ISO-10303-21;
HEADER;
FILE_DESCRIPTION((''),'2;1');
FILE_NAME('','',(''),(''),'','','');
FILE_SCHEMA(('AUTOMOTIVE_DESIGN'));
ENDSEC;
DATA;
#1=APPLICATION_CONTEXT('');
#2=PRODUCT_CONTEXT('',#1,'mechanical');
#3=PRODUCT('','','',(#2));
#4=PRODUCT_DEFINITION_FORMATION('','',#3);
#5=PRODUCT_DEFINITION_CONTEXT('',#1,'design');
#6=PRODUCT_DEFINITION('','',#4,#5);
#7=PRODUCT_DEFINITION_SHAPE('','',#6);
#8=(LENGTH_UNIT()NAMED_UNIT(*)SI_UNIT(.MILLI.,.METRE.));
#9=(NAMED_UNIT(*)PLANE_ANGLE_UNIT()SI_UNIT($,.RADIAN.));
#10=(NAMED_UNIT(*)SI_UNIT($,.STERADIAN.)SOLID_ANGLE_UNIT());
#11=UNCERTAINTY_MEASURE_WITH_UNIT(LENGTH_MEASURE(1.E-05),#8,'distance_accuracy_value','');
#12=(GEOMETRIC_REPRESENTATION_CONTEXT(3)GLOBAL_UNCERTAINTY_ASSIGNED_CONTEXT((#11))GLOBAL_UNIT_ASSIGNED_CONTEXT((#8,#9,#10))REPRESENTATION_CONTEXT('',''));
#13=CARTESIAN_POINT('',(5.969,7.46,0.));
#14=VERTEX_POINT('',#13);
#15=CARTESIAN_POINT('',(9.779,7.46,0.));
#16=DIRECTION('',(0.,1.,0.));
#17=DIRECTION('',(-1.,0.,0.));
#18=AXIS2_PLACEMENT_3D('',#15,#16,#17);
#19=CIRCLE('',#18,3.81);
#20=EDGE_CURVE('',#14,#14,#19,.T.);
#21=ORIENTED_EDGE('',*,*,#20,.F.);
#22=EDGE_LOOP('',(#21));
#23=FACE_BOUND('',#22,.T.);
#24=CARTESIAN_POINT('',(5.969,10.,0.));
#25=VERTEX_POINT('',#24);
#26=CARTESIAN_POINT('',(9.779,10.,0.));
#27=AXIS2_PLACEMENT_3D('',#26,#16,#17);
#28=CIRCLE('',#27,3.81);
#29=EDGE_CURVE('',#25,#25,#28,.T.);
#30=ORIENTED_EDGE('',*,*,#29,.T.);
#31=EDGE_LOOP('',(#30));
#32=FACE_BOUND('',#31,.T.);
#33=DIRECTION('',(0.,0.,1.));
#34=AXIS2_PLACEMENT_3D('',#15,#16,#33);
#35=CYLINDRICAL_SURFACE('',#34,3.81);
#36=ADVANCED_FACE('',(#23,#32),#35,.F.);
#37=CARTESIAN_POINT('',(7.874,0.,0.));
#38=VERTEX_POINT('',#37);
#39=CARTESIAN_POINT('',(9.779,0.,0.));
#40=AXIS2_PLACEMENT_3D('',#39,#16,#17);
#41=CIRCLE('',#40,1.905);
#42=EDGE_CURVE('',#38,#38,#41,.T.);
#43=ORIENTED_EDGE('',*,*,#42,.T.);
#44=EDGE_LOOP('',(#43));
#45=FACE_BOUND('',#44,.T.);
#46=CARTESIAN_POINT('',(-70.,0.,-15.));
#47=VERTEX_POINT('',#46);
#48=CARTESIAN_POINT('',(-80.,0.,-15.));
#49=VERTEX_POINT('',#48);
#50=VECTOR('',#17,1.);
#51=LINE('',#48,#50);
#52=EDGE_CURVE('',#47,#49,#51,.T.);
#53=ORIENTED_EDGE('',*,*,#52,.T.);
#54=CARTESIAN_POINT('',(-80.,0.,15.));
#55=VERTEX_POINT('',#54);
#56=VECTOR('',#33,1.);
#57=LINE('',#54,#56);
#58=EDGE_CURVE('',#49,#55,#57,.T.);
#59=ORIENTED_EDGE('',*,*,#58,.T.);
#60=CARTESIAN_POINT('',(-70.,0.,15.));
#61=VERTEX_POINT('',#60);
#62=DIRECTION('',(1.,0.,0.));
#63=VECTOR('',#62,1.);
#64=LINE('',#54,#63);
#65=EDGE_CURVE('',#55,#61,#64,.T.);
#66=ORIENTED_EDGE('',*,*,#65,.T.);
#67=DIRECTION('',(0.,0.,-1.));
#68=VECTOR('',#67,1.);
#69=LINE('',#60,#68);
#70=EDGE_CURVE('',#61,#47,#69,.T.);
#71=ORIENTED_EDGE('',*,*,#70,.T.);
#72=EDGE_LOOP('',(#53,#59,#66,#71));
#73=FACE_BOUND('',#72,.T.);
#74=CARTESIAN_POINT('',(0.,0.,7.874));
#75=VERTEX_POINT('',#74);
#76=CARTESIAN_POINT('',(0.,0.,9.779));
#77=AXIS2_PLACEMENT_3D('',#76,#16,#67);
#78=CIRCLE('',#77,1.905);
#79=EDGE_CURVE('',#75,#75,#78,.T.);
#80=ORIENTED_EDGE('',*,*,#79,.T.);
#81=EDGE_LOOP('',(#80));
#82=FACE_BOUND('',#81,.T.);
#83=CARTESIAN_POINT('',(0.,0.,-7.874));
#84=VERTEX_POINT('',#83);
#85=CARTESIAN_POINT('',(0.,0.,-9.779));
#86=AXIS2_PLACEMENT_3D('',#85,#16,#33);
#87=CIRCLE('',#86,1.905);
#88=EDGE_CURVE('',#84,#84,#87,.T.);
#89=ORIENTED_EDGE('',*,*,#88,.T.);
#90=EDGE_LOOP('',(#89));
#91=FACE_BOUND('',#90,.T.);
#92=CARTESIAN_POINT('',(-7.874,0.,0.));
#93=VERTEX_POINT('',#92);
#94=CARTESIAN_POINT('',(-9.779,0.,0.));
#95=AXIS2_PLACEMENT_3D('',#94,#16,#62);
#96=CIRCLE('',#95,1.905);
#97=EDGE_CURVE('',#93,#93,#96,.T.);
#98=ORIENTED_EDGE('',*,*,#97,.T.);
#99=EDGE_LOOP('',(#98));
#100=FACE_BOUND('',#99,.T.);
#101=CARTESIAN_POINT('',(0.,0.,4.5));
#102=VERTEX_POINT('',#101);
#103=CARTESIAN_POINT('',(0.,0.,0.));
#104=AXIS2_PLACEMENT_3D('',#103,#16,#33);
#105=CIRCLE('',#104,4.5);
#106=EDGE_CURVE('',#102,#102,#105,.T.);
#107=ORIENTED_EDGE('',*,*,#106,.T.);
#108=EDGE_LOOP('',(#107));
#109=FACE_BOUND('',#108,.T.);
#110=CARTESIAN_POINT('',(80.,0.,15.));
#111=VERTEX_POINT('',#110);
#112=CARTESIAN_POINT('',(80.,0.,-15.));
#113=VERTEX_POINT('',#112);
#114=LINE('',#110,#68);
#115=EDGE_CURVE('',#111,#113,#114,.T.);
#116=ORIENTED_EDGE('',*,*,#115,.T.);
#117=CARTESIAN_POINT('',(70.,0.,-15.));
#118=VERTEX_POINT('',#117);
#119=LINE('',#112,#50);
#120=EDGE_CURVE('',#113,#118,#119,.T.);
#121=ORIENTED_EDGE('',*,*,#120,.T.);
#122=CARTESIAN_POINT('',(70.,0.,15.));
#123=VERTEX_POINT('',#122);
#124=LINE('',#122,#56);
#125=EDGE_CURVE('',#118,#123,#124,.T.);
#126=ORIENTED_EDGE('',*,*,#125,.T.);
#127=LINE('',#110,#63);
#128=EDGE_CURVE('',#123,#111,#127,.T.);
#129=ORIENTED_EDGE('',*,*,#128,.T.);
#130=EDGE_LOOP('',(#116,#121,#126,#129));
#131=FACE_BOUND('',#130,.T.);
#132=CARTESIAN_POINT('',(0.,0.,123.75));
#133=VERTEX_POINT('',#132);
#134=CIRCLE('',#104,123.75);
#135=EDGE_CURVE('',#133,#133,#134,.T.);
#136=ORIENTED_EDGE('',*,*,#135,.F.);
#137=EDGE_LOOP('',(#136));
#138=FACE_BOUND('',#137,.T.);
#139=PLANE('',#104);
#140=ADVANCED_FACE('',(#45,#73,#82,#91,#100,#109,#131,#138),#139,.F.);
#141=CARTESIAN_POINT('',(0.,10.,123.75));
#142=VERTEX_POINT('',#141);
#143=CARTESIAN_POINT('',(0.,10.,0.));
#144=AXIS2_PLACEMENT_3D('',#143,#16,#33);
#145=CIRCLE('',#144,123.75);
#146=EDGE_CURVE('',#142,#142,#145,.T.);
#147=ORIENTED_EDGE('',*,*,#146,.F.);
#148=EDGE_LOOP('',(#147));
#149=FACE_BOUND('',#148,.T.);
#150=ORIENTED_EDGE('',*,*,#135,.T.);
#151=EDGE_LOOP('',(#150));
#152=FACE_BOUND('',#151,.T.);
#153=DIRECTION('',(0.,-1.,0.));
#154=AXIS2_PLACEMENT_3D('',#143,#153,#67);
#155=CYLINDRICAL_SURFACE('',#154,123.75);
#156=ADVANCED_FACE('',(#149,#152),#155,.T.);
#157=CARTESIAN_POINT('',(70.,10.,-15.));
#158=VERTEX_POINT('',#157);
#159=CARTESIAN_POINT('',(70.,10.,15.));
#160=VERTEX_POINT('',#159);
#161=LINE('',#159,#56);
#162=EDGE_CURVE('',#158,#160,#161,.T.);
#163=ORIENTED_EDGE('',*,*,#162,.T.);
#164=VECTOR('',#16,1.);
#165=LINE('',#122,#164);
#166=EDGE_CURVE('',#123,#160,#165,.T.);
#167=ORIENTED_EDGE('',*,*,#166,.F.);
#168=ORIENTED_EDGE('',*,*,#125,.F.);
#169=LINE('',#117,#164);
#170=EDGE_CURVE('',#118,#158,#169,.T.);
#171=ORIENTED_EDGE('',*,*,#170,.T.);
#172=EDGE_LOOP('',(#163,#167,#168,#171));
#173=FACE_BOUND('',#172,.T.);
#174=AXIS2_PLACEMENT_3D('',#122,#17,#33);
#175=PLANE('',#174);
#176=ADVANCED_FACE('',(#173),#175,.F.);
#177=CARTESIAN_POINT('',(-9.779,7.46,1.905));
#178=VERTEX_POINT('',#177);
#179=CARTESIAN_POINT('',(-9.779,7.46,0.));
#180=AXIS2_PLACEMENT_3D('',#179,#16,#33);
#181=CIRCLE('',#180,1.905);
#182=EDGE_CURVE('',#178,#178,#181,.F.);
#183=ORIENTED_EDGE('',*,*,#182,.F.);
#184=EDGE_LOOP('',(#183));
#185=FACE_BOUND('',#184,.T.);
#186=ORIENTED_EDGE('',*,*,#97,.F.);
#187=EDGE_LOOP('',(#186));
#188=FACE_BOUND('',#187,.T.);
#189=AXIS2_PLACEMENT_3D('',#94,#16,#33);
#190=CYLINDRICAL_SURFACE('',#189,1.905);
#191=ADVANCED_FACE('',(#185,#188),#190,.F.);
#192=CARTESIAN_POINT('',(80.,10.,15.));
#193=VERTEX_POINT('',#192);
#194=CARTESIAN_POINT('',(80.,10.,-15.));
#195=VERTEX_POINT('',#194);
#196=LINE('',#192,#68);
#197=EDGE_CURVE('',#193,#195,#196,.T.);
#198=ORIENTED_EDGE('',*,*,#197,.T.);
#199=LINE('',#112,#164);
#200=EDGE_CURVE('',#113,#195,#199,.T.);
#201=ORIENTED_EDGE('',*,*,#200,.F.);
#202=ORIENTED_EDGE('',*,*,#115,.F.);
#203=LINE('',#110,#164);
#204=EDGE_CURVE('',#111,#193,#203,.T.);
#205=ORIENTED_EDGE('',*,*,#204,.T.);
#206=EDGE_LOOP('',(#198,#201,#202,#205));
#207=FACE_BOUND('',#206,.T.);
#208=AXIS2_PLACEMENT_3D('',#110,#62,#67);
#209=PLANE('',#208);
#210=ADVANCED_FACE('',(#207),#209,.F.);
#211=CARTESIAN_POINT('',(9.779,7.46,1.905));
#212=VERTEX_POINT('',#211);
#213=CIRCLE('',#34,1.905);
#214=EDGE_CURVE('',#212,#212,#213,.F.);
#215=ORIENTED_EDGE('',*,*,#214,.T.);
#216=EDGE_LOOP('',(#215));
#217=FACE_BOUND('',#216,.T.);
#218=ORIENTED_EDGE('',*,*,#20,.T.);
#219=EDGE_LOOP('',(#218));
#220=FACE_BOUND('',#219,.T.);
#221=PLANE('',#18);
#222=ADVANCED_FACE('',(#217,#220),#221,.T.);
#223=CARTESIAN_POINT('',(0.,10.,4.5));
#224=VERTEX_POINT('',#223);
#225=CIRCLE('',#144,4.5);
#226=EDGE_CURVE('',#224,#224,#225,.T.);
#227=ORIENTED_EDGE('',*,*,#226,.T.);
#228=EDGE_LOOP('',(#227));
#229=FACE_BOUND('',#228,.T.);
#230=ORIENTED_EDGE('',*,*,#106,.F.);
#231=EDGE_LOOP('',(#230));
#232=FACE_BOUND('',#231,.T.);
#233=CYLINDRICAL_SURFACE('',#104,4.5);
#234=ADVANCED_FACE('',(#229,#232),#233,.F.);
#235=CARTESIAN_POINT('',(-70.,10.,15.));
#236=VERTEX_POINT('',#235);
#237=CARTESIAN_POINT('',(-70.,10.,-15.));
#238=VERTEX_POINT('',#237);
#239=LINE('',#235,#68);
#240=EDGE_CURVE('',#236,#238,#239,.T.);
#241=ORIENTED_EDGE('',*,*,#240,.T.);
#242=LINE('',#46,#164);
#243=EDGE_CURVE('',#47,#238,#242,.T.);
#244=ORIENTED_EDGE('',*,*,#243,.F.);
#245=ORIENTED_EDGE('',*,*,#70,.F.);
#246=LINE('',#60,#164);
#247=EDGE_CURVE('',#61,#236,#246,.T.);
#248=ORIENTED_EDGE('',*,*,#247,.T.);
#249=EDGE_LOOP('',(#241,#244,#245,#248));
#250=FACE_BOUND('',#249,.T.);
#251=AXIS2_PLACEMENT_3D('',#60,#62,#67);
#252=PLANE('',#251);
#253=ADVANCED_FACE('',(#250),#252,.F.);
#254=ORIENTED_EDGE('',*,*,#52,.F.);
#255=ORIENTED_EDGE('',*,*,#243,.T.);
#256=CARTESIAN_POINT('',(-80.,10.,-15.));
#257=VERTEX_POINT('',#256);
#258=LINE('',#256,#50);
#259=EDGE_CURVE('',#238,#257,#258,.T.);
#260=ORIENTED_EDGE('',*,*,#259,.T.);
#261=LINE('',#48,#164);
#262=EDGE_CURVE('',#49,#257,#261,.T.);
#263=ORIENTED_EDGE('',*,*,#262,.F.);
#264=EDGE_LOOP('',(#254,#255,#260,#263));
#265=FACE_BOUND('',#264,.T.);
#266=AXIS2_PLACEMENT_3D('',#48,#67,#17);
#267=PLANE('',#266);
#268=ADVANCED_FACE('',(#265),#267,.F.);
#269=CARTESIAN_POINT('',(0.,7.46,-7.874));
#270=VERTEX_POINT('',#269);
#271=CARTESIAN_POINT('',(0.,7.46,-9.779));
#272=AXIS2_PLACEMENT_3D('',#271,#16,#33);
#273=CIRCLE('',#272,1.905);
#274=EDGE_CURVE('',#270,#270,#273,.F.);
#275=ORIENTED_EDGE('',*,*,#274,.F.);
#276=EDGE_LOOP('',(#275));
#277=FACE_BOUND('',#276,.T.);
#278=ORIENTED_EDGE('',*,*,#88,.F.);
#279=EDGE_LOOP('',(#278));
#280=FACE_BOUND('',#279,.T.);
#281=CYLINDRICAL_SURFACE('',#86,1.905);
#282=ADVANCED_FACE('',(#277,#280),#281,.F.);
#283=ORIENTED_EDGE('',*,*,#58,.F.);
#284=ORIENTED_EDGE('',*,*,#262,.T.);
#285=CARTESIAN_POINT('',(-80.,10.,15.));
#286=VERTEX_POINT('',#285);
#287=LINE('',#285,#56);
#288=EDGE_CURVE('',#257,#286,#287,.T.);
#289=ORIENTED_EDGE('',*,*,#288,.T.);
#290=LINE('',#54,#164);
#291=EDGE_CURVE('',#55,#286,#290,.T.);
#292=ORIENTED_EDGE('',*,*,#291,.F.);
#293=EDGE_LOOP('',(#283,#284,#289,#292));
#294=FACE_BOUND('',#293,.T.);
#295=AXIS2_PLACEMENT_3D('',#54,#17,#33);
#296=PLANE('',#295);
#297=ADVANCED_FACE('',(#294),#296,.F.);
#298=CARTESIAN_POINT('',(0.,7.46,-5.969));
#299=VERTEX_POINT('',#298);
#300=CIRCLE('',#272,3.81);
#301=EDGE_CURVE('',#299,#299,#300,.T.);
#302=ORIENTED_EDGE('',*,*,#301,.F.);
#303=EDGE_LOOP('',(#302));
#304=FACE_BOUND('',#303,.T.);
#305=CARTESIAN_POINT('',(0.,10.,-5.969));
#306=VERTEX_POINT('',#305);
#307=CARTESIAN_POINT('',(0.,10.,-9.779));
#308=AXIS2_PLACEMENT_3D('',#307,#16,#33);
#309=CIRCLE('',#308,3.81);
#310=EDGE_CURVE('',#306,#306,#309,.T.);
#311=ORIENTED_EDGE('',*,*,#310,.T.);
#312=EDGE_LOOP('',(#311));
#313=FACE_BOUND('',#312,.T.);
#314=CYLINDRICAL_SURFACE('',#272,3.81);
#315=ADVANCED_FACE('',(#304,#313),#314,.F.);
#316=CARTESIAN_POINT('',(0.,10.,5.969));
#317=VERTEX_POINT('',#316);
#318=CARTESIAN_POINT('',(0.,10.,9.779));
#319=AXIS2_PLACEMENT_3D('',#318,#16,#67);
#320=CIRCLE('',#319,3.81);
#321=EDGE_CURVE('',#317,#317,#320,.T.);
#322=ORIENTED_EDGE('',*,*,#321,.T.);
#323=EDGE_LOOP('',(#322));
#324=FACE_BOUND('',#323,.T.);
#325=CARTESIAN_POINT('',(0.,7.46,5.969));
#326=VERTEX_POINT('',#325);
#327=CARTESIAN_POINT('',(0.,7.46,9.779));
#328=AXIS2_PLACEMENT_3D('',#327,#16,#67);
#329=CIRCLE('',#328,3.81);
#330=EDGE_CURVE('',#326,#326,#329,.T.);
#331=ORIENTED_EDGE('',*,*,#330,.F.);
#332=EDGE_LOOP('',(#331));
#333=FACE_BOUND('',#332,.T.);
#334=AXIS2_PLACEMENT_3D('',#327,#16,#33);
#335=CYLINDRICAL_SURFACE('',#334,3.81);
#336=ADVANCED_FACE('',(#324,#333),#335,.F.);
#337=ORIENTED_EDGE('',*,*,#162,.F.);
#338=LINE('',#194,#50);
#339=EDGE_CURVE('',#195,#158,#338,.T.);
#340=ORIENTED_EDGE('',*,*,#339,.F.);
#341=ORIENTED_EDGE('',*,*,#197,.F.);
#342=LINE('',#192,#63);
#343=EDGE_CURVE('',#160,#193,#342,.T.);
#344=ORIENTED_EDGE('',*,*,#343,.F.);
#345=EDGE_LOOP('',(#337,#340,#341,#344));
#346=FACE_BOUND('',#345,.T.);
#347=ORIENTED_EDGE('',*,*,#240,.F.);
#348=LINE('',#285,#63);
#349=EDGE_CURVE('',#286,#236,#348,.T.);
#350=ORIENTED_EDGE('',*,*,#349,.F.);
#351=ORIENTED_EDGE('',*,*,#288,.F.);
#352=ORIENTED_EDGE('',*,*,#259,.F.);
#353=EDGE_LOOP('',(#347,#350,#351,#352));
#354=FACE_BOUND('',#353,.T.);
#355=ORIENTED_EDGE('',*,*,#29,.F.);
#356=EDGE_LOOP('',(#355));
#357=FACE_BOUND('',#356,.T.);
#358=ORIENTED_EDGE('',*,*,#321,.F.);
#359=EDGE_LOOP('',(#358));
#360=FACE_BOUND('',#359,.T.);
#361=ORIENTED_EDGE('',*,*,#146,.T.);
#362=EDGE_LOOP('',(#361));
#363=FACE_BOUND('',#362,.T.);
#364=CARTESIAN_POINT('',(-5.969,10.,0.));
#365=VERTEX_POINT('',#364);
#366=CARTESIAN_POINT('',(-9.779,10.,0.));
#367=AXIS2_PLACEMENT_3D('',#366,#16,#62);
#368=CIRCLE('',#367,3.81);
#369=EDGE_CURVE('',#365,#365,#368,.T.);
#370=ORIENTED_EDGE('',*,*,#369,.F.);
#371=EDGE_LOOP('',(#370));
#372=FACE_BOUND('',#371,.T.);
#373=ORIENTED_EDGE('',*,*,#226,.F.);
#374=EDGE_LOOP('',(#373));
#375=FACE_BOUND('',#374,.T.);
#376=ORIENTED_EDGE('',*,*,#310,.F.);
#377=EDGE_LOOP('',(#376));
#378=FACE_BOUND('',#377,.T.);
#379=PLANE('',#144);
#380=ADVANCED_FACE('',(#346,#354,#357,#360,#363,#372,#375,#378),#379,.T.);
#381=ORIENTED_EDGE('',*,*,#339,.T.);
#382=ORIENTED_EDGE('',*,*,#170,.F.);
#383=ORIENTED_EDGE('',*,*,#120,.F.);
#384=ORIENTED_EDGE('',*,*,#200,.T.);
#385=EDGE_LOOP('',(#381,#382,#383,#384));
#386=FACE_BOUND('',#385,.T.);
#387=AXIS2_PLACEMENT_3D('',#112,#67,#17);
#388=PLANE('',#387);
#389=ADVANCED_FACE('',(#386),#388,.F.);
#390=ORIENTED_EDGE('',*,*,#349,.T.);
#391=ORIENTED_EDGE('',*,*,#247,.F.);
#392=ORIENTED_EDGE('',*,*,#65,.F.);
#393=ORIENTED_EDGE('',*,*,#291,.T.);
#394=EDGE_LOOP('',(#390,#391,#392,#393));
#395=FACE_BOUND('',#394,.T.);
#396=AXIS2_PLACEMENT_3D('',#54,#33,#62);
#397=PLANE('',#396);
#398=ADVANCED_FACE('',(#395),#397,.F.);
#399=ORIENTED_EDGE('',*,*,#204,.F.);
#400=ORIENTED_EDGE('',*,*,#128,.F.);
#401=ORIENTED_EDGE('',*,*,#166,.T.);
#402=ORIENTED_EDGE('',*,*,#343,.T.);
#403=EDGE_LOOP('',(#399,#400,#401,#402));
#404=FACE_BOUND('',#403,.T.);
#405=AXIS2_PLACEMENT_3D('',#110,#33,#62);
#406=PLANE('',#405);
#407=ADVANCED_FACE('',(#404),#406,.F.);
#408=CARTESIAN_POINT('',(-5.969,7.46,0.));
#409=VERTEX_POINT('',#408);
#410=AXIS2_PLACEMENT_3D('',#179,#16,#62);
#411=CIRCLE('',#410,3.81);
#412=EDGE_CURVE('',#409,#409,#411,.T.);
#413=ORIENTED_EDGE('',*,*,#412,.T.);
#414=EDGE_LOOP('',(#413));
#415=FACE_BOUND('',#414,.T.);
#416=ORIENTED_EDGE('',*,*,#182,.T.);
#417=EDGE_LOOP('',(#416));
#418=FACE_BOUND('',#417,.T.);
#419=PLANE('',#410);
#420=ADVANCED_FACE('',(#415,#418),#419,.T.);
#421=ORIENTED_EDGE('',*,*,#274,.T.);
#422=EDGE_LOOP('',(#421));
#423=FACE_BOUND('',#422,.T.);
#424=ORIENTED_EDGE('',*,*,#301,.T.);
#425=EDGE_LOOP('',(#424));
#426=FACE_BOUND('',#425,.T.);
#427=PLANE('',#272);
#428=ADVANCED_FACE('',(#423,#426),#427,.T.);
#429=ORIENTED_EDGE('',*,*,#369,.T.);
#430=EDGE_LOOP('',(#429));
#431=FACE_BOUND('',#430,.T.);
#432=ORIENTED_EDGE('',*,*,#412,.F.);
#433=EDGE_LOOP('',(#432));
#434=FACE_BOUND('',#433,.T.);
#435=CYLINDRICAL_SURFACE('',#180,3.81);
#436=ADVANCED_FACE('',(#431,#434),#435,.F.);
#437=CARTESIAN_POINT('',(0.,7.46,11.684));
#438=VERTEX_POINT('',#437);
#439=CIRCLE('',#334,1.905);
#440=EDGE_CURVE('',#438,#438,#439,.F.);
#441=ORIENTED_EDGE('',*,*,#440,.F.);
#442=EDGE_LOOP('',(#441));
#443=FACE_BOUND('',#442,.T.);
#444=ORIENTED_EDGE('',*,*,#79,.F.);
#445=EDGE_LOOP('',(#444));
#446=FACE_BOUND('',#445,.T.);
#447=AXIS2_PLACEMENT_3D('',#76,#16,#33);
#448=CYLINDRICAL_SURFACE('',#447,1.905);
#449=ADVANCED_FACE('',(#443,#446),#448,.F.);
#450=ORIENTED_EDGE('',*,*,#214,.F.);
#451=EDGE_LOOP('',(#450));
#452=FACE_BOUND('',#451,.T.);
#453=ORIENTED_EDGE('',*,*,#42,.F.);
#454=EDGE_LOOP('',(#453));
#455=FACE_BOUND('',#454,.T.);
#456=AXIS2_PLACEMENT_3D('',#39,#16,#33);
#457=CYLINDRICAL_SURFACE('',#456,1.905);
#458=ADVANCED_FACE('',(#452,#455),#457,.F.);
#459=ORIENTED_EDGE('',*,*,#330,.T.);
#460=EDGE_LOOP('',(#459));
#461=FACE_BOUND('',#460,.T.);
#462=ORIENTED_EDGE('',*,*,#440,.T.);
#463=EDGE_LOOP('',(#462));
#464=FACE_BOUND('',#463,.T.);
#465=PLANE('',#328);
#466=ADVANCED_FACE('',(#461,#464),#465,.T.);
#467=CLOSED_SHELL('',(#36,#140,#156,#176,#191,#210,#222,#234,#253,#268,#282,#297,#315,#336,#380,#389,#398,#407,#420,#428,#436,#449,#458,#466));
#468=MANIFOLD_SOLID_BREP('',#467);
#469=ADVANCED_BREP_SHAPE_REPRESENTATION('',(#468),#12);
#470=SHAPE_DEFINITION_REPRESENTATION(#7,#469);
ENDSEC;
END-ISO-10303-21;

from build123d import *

# Parameters (mm, degrees)
SKETCH1_R           = 123.75
BOSS_EXTRUDE1_DEPTH = 10
SKETCH2_R           = 1.905
CUT_EXTRUDE2_DEPTH  = 11
CIRPATTERN1_COUNT   = 4
SKETCH3_R           = 4.5
CUT_EXTRUDE3_DEPTH  = 11
SKETCH4_R           = 3.81
CUT_EXTRUDE4_DEPTH  = 2.54
CIRPATTERN2_COUNT   = 4
SKETCH5_W           = 10
SKETCH5_H           = 30
CUT_EXTRUDE5_DEPTH  = 11


with BuildPart() as part:
    # Sketch1 → Boss-Extrude1 (new body)
    with BuildSketch(Plane(origin=(0, 0, 0), x_dir=(1, 0, 0), z_dir=(0, 1, 0))):
        Circle(SKETCH1_R)
    extrude(amount=BOSS_EXTRUDE1_DEPTH)

    # Sketch2 → Cut-Extrude2 (cut, through all)
    with BuildSketch(Plane(origin=(0, 10, 0), x_dir=(1, 0, 0), z_dir=(0, 1, 0))):
        with Locations((0, 9.779)):
            Circle(SKETCH2_R)
    cut_extrude2 = extrude(amount=-CUT_EXTRUDE2_DEPTH, mode=Mode.SUBTRACT)

    # CirPattern1: Cut-Extrude2 ×4 about axis
    cirpattern1_axis = Axis((0, 0, 0), (0, 1, 0))
    for i in range(1, CIRPATTERN1_COUNT):
        add(cut_extrude2.rotate(cirpattern1_axis, i * 360 / CIRPATTERN1_COUNT), mode=Mode.SUBTRACT)

    # Sketch3 → Cut-Extrude3 (cut, through all)
    with BuildSketch(Plane(origin=(0, 10, 0), x_dir=(1, 0, 0), z_dir=(0, 1, 0))):
        Circle(SKETCH3_R)
    extrude(amount=-CUT_EXTRUDE3_DEPTH, mode=Mode.SUBTRACT)

    # Sketch4 → Cut-Extrude4 (cut)
    with BuildSketch(Plane(origin=(0, 10, 0), x_dir=(1, 0, 0), z_dir=(0, 1, 0))):
        with Locations((0, 9.779)):
            Circle(SKETCH4_R)
    cut_extrude4 = extrude(amount=-CUT_EXTRUDE4_DEPTH, mode=Mode.SUBTRACT)

    # CirPattern2: Cut-Extrude4 ×4 about axis
    cirpattern2_axis = Axis((0, 0, 0), (0, 1, 0))
    for i in range(1, CIRPATTERN2_COUNT):
        add(cut_extrude4.rotate(cirpattern2_axis, i * 360 / CIRPATTERN2_COUNT), mode=Mode.SUBTRACT)

    # Sketch5 → Cut-Extrude5 (cut, through all)
    with BuildSketch(Plane(origin=(0, 10, 0), x_dir=(1, 0, 0), z_dir=(0, 1, 0))):
        with Locations((75, 0)):
            Rectangle(SKETCH5_W, SKETCH5_H)
        with Locations((-75, 0)):
            Rectangle(SKETCH5_W, SKETCH5_H)
    extrude(amount=-CUT_EXTRUDE5_DEPTH, mode=Mode.SUBTRACT)


solid = part.part
